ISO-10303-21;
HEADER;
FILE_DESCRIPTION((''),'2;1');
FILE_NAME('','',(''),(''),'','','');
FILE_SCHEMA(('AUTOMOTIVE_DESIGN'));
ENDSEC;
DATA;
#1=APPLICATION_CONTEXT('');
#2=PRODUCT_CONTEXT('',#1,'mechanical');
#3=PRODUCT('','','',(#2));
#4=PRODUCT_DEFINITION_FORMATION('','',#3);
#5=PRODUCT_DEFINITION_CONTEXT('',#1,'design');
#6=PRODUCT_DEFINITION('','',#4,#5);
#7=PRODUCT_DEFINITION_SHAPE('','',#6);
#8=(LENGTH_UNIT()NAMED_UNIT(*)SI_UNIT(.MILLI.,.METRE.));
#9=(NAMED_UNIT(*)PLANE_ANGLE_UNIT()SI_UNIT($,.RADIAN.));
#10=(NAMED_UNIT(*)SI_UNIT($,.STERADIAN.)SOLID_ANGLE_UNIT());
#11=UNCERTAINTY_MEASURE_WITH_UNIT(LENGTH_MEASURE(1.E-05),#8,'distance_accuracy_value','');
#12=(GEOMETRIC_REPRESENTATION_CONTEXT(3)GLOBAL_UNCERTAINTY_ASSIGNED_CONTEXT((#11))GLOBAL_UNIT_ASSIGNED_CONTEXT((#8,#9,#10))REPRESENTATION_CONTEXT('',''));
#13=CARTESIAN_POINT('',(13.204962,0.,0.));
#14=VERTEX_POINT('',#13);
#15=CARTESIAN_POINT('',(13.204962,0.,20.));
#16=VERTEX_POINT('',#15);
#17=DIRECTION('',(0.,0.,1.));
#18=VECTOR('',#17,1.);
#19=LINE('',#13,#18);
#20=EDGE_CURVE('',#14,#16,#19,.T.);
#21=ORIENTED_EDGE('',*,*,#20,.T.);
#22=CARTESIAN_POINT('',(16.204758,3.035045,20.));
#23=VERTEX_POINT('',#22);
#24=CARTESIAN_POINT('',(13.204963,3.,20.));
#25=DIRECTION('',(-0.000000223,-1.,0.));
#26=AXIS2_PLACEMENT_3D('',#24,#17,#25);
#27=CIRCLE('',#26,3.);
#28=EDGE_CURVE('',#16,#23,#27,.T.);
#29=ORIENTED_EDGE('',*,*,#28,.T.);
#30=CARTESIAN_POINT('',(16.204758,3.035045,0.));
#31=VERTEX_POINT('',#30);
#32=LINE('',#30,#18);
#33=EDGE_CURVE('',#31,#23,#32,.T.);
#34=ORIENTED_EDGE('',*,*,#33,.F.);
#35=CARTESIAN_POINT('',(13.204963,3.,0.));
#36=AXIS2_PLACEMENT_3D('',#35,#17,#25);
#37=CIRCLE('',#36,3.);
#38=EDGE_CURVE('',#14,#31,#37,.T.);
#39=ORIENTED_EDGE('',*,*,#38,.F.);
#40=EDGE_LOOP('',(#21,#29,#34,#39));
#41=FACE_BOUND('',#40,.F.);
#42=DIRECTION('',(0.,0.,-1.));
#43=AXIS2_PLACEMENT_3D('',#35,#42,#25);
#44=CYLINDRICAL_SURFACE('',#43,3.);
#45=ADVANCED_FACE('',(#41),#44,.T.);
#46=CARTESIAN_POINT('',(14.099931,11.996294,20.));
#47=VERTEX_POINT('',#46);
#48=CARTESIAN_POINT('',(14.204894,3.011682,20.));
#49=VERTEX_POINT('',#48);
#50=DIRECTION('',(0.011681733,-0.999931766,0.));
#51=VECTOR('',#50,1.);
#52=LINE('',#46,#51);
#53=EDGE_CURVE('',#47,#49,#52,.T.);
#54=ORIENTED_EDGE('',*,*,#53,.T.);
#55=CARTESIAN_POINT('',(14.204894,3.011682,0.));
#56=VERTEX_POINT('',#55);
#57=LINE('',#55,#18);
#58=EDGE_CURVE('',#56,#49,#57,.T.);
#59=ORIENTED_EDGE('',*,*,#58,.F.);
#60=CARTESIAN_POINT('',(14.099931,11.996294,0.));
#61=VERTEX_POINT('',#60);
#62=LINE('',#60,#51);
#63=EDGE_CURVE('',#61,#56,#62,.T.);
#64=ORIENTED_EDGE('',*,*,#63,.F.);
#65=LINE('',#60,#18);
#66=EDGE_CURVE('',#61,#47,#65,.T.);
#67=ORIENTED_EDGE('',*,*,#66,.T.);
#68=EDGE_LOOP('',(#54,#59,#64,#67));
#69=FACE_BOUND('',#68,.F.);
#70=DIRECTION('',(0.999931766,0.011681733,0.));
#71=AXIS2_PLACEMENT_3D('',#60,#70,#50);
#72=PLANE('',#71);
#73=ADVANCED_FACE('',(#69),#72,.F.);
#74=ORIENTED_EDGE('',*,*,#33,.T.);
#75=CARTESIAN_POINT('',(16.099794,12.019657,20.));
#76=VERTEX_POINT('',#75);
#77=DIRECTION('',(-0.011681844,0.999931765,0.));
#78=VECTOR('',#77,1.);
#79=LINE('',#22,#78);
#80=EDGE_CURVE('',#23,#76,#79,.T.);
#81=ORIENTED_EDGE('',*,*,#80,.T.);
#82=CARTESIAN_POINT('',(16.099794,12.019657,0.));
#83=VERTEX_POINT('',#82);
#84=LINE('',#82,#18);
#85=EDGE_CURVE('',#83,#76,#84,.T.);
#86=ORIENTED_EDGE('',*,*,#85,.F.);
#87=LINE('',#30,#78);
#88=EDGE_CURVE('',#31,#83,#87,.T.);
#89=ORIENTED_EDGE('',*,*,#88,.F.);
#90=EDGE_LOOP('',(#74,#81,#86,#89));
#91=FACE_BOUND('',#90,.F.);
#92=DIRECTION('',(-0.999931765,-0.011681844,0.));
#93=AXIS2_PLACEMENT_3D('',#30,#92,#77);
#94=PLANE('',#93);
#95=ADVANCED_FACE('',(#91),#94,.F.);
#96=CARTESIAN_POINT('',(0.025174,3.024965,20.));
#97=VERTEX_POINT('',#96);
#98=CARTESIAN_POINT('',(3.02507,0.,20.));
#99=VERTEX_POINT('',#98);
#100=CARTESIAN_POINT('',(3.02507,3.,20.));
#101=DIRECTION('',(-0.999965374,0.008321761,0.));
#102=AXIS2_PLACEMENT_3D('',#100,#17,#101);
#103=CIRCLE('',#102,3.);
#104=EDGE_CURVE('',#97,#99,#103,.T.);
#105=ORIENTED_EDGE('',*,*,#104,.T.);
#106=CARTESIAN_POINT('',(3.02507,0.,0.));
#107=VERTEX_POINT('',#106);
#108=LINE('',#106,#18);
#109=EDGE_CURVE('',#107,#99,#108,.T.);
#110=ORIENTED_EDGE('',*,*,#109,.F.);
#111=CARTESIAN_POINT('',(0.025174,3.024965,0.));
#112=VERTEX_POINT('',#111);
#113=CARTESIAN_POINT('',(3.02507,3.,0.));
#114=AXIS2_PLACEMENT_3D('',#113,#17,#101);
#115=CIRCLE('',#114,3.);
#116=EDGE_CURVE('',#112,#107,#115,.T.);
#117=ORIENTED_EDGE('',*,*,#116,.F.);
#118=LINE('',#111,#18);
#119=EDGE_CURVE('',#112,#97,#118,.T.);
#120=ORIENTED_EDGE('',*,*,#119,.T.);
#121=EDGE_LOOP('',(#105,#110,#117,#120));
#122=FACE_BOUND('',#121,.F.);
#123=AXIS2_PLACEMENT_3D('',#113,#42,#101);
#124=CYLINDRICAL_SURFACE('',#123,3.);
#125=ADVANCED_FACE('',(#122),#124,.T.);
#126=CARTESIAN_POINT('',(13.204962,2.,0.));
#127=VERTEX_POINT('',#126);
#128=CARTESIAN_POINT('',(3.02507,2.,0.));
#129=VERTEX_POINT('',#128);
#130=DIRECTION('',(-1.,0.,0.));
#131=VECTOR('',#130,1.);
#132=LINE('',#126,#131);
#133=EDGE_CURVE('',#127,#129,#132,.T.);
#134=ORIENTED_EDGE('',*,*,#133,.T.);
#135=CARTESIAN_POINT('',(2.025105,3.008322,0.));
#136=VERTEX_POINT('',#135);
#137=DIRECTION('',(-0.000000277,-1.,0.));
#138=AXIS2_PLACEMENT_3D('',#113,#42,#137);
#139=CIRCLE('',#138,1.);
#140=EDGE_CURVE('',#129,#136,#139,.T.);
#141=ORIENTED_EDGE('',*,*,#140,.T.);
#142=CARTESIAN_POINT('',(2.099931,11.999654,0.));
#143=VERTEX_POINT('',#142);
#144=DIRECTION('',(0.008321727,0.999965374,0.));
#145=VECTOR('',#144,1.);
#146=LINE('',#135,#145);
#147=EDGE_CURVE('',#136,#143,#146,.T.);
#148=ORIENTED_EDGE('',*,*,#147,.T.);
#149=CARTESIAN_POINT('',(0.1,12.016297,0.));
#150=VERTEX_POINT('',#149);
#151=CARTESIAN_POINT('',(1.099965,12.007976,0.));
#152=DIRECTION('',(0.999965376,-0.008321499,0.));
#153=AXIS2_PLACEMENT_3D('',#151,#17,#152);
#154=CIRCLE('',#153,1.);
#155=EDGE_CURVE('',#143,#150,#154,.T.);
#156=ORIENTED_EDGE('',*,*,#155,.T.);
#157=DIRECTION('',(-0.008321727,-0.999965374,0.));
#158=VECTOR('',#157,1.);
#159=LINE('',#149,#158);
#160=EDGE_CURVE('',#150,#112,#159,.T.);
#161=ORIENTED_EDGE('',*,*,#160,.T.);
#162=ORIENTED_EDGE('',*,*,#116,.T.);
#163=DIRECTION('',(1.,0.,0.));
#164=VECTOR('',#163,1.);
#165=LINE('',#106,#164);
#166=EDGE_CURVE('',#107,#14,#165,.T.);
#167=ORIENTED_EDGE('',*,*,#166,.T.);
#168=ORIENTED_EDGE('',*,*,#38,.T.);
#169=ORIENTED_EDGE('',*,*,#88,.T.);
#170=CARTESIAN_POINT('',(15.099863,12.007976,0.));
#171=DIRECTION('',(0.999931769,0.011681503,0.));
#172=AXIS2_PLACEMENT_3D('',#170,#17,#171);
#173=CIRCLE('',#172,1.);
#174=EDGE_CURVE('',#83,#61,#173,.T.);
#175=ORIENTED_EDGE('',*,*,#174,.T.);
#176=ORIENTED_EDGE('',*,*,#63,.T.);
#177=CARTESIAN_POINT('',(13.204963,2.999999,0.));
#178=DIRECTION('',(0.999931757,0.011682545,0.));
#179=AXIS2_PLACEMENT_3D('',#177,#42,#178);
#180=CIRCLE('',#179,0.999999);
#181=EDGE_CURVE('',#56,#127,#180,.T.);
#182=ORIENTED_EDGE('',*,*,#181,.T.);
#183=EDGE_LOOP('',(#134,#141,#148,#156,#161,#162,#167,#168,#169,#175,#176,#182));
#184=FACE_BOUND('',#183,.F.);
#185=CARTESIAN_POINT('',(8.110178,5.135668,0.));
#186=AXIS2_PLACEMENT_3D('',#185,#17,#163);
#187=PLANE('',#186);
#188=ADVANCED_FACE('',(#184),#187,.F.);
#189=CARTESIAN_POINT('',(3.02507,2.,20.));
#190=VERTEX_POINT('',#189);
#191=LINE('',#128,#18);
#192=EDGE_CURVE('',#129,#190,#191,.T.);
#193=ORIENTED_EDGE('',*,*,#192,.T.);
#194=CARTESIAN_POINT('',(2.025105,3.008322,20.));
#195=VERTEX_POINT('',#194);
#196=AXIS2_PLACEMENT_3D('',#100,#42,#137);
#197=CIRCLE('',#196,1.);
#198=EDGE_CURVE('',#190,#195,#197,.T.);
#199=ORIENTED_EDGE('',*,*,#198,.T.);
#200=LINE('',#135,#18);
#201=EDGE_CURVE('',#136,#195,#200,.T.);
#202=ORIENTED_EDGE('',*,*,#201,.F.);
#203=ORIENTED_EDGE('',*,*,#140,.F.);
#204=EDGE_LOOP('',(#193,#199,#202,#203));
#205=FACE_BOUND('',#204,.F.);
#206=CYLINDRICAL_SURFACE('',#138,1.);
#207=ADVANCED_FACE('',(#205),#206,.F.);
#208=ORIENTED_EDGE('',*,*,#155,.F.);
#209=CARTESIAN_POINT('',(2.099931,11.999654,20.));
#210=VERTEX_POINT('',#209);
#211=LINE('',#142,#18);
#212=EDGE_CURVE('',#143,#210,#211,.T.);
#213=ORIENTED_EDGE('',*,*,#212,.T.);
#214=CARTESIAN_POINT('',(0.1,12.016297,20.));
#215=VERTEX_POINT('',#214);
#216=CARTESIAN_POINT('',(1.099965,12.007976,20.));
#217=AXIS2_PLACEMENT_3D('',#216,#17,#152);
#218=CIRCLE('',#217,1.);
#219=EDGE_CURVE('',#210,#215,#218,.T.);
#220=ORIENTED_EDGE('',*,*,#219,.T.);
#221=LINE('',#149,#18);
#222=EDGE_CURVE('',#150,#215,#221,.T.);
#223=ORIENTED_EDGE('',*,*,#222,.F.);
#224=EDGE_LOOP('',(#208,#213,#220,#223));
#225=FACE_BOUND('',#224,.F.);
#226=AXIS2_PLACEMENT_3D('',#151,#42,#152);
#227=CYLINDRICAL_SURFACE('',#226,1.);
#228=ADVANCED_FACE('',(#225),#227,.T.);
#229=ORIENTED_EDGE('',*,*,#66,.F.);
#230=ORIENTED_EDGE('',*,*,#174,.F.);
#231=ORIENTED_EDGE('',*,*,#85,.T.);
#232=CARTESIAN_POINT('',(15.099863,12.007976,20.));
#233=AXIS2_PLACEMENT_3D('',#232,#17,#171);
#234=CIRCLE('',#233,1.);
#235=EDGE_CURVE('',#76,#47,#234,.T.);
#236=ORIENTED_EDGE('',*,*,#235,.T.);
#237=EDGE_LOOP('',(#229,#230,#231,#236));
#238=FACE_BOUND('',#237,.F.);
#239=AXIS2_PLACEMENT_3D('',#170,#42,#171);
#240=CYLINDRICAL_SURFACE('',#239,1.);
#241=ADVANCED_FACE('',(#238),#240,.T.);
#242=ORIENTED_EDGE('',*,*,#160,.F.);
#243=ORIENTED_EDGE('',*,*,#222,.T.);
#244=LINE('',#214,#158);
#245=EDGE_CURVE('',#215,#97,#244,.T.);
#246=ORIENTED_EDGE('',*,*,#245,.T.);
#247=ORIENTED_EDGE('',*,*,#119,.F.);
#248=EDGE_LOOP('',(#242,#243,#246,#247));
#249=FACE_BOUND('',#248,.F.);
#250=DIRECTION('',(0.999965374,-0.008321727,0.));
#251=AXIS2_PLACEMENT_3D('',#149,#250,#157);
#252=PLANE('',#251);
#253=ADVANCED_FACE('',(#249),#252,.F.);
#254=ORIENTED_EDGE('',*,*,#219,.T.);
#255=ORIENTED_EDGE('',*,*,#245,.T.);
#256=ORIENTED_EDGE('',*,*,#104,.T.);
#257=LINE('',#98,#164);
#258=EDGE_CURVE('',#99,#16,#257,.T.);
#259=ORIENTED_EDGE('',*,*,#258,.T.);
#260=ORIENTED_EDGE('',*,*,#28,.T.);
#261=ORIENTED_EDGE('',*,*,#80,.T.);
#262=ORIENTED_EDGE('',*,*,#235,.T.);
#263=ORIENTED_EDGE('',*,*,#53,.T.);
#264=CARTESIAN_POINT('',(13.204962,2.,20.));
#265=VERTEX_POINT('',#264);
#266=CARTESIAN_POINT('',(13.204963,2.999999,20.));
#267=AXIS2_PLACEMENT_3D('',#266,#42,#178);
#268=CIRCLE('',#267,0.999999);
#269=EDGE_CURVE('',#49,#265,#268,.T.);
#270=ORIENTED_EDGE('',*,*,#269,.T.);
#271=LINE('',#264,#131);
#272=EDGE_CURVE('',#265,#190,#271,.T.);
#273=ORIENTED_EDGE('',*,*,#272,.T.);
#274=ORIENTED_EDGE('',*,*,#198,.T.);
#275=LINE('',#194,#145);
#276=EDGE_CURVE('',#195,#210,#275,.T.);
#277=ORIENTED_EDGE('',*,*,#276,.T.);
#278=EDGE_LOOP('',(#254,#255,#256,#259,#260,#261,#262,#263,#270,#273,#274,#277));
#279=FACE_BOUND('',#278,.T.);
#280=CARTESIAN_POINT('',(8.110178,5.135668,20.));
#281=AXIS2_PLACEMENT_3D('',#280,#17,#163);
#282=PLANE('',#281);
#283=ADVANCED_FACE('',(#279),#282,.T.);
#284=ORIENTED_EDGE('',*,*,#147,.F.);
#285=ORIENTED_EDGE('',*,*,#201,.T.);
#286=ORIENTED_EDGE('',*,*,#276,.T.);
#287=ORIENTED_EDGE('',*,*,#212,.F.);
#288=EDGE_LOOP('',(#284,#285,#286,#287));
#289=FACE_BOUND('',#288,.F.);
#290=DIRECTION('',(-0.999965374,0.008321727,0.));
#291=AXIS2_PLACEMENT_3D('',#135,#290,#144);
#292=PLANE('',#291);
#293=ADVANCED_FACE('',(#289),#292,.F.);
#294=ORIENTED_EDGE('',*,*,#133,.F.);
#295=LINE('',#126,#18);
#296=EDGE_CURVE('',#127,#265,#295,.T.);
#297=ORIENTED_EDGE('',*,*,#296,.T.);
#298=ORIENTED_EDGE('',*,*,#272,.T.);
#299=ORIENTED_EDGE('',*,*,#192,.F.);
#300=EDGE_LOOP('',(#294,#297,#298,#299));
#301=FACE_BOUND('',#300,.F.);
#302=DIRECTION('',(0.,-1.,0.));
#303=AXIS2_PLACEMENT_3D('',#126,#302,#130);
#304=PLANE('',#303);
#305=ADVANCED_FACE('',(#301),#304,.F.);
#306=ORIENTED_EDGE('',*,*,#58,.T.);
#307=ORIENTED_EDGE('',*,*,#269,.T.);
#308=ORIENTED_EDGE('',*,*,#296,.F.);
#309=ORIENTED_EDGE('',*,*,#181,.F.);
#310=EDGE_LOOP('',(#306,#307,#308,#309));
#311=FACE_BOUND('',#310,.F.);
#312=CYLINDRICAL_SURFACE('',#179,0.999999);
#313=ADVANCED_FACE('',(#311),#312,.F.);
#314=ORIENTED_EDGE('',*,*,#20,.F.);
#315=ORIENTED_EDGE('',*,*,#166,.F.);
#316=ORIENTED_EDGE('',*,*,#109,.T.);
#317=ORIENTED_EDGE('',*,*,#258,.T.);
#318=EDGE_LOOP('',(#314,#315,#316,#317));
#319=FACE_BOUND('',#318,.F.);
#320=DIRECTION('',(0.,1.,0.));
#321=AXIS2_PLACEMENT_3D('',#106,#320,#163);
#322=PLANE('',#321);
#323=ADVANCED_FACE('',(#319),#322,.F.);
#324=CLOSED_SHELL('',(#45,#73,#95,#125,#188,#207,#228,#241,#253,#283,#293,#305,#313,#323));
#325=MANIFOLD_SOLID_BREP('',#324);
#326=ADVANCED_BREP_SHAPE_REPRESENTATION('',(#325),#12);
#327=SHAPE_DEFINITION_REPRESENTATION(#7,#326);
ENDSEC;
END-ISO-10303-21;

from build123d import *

# Parameters (mm, degrees)
F1_DEPTH = 20


with BuildPart() as f1:
    # F0 (on Top) → F1 (new body)
    with BuildSketch(Plane.XY):
        with BuildLine():
            ThreePointArc((2.099931, 11.999654), (1.108287, 13.007941), (0.1, 12.016297))
            Line((0.1, 12.016297), (0.025174, 3.024965))
            ThreePointArc((0.025174, 3.024965), (0.894941, 0.887525), (3.02507, 0))
            Line((3.02507, 0), (13.204962, 0))
            ThreePointArc((13.204962, 0), (15.338637, 0.891106), (16.204758, 3.035045))
            Line((16.204758, 3.035045), (16.099794, 12.019657))
            ThreePointArc((16.099794, 12.019657), (15.088181, 13.007907), (14.099931, 11.996294))
            Line((14.099931, 11.996294), (14.204894, 3.011682))
            ThreePointArc((14.204894, 3.011682), (13.916187, 2.297035), (13.204962, 2))
            Line((13.204962, 2), (3.02507, 2))
            ThreePointArc((3.02507, 2), (2.315027, 2.295842), (2.025105, 3.008322))
            Line((2.025105, 3.008322), (2.099931, 11.999654))
        make_face()
    extrude(amount=F1_DEPTH)


solid = f1.part
